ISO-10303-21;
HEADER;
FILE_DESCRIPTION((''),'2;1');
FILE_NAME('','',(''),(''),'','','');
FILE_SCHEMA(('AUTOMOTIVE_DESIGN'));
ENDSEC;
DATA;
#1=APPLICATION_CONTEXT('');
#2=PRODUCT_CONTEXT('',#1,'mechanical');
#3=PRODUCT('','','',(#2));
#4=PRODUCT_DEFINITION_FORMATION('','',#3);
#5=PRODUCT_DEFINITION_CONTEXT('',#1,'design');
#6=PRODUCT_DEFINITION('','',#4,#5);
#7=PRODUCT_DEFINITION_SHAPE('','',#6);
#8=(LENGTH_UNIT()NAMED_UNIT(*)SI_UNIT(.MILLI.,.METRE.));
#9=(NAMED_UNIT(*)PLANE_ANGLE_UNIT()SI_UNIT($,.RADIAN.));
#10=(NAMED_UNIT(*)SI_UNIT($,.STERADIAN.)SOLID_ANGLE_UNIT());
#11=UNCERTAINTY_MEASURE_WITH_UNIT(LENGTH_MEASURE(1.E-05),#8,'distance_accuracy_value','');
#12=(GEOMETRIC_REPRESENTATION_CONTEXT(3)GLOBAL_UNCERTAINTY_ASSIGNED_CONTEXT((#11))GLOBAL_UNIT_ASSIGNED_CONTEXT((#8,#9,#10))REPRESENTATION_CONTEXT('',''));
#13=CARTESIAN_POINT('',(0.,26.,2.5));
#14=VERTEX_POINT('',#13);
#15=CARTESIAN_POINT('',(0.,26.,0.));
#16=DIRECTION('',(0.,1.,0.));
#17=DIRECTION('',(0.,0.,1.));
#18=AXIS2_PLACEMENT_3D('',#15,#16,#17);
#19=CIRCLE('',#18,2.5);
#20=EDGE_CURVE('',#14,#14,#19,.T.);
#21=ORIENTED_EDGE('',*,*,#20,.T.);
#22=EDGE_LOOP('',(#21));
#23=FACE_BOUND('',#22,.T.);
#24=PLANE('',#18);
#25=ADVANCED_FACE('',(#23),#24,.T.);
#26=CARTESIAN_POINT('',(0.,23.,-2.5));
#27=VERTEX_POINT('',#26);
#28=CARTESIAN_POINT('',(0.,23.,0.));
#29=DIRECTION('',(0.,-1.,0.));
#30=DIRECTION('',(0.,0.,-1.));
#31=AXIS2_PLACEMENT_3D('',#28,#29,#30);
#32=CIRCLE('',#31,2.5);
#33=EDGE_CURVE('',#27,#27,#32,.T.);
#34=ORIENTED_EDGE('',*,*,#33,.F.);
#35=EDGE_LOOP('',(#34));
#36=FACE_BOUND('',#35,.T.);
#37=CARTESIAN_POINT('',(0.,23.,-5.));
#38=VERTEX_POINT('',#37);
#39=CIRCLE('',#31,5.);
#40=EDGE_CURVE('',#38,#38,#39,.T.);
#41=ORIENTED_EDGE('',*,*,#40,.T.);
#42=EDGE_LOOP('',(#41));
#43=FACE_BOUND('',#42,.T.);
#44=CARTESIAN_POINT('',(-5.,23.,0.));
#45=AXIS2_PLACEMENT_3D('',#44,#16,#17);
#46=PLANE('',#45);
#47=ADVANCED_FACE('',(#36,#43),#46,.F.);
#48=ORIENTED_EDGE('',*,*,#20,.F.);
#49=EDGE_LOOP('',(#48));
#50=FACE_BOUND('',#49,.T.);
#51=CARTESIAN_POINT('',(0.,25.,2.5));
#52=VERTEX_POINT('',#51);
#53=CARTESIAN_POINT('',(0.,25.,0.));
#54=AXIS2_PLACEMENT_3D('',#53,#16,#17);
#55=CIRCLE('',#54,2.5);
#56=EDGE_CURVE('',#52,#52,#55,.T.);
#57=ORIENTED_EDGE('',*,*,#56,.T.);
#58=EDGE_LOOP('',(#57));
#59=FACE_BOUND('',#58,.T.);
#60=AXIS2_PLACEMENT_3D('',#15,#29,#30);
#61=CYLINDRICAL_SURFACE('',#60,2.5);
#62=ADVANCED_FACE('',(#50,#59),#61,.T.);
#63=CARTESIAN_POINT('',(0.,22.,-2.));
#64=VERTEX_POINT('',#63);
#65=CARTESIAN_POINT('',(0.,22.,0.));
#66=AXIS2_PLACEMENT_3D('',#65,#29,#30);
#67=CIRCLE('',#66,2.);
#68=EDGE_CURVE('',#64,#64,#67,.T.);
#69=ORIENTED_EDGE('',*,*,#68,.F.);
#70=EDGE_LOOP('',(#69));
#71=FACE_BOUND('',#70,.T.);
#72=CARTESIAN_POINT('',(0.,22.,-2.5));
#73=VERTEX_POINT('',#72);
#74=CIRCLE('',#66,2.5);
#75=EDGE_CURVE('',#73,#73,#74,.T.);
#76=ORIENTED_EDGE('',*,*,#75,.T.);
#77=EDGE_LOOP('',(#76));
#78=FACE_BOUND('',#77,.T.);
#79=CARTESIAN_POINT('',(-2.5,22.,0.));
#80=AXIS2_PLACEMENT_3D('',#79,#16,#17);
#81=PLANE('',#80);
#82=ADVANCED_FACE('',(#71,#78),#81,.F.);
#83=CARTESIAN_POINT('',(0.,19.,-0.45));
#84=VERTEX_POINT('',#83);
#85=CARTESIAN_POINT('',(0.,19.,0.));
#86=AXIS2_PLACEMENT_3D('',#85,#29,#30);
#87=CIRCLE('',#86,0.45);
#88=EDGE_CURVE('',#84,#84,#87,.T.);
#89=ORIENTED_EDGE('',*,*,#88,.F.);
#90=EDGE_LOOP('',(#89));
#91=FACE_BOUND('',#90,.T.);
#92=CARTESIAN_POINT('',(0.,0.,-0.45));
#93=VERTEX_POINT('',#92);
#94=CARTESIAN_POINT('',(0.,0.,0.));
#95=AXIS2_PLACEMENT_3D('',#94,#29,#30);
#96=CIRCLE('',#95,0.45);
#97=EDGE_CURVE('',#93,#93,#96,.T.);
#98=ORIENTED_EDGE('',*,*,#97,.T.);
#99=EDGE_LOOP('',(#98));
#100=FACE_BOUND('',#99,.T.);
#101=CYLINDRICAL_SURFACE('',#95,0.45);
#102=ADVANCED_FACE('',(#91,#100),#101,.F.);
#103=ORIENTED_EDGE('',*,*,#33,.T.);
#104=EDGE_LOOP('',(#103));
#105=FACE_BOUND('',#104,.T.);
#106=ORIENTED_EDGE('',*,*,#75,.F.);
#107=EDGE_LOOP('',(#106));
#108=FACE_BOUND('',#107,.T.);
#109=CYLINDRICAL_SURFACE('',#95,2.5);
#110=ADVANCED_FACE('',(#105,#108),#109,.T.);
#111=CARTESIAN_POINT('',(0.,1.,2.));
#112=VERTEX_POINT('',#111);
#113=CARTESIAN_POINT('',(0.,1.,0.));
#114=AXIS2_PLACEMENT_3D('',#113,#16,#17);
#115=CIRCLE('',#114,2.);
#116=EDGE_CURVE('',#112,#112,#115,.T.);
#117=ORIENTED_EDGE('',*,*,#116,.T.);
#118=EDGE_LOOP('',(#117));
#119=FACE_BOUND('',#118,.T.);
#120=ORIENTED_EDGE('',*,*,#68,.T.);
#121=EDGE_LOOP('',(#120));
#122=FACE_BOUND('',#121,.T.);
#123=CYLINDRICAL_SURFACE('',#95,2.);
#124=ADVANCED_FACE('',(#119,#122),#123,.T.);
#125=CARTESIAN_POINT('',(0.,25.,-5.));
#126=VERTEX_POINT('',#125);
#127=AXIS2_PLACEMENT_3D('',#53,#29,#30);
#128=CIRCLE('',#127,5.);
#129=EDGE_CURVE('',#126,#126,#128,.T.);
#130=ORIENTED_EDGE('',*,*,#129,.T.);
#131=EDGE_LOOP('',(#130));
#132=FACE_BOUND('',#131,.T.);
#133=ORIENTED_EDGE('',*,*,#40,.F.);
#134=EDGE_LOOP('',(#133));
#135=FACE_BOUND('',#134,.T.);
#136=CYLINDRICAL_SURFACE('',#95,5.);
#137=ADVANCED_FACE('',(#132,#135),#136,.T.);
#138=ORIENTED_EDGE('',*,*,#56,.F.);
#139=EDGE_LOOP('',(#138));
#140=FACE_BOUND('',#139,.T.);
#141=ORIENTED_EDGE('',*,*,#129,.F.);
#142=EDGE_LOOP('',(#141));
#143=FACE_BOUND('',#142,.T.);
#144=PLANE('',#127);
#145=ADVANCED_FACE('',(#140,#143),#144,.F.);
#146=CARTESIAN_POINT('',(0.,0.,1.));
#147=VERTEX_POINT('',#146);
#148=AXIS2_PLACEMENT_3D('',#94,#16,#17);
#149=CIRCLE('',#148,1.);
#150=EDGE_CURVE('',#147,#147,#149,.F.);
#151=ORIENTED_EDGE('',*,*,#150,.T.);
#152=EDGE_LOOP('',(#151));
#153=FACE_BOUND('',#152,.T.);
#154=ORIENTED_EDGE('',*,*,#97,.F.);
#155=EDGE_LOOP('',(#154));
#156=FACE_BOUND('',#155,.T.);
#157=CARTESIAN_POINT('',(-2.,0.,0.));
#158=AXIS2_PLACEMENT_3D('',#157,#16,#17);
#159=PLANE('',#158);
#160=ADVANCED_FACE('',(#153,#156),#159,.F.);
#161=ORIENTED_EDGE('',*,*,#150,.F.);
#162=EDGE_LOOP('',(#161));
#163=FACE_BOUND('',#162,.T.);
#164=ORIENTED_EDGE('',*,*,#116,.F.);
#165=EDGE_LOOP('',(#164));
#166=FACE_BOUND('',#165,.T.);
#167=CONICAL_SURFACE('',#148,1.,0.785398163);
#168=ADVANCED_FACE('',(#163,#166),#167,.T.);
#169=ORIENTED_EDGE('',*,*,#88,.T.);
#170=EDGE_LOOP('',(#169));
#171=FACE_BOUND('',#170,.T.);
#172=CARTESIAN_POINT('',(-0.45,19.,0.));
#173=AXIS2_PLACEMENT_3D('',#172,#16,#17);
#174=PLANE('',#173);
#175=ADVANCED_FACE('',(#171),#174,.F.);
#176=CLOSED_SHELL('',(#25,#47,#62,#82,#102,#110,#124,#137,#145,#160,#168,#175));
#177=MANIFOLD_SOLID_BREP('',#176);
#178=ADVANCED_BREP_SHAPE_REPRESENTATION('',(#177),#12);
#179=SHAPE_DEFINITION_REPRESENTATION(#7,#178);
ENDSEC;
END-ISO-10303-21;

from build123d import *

# Parameters (mm, degrees)
CHAMFER1_SIZE       = 1
SKETCH2_R           = 2.5
BOSS_EXTRUDE1_DEPTH = 1


with BuildPart() as part:
    # Sketch1 → Revolve1 (revolve)
    with BuildSketch(Plane.XY, mode=Mode.PRIVATE) as revolve1_sk:
        Polygon((0, 25), (-5, 25), (-5, 23), (-2.5, 23), (-2.5, 22), (-2, 22), (-2, 0), (-0.45, 0), (-0.45, 19), (0, 19), align=None)
    revolve(revolve1_sk.sketch.rotate(Axis((0, 0, 0), (0, 1, 0)), 270), axis=Axis((0, 0, 0), (0, 1, 0)))

    # Chamfer1
    chamfer1_edges = [part.edges().sort_by_distance(p)[0] for p in [
        (0, 0, 2),
    ]]
    chamfer(chamfer1_edges, length=CHAMFER1_SIZE)

    # Sketch2 → Boss-Extrude1 (add)
    with BuildSketch(Plane(origin=(0, 25, 0), x_dir=(1, 0, 0), z_dir=(0, 1, 0))):
        with Locations(Location((0, 0, 0), (0, 0, 90))):
            Circle(SKETCH2_R)
    extrude(amount=BOSS_EXTRUDE1_DEPTH)


solid = part.part
